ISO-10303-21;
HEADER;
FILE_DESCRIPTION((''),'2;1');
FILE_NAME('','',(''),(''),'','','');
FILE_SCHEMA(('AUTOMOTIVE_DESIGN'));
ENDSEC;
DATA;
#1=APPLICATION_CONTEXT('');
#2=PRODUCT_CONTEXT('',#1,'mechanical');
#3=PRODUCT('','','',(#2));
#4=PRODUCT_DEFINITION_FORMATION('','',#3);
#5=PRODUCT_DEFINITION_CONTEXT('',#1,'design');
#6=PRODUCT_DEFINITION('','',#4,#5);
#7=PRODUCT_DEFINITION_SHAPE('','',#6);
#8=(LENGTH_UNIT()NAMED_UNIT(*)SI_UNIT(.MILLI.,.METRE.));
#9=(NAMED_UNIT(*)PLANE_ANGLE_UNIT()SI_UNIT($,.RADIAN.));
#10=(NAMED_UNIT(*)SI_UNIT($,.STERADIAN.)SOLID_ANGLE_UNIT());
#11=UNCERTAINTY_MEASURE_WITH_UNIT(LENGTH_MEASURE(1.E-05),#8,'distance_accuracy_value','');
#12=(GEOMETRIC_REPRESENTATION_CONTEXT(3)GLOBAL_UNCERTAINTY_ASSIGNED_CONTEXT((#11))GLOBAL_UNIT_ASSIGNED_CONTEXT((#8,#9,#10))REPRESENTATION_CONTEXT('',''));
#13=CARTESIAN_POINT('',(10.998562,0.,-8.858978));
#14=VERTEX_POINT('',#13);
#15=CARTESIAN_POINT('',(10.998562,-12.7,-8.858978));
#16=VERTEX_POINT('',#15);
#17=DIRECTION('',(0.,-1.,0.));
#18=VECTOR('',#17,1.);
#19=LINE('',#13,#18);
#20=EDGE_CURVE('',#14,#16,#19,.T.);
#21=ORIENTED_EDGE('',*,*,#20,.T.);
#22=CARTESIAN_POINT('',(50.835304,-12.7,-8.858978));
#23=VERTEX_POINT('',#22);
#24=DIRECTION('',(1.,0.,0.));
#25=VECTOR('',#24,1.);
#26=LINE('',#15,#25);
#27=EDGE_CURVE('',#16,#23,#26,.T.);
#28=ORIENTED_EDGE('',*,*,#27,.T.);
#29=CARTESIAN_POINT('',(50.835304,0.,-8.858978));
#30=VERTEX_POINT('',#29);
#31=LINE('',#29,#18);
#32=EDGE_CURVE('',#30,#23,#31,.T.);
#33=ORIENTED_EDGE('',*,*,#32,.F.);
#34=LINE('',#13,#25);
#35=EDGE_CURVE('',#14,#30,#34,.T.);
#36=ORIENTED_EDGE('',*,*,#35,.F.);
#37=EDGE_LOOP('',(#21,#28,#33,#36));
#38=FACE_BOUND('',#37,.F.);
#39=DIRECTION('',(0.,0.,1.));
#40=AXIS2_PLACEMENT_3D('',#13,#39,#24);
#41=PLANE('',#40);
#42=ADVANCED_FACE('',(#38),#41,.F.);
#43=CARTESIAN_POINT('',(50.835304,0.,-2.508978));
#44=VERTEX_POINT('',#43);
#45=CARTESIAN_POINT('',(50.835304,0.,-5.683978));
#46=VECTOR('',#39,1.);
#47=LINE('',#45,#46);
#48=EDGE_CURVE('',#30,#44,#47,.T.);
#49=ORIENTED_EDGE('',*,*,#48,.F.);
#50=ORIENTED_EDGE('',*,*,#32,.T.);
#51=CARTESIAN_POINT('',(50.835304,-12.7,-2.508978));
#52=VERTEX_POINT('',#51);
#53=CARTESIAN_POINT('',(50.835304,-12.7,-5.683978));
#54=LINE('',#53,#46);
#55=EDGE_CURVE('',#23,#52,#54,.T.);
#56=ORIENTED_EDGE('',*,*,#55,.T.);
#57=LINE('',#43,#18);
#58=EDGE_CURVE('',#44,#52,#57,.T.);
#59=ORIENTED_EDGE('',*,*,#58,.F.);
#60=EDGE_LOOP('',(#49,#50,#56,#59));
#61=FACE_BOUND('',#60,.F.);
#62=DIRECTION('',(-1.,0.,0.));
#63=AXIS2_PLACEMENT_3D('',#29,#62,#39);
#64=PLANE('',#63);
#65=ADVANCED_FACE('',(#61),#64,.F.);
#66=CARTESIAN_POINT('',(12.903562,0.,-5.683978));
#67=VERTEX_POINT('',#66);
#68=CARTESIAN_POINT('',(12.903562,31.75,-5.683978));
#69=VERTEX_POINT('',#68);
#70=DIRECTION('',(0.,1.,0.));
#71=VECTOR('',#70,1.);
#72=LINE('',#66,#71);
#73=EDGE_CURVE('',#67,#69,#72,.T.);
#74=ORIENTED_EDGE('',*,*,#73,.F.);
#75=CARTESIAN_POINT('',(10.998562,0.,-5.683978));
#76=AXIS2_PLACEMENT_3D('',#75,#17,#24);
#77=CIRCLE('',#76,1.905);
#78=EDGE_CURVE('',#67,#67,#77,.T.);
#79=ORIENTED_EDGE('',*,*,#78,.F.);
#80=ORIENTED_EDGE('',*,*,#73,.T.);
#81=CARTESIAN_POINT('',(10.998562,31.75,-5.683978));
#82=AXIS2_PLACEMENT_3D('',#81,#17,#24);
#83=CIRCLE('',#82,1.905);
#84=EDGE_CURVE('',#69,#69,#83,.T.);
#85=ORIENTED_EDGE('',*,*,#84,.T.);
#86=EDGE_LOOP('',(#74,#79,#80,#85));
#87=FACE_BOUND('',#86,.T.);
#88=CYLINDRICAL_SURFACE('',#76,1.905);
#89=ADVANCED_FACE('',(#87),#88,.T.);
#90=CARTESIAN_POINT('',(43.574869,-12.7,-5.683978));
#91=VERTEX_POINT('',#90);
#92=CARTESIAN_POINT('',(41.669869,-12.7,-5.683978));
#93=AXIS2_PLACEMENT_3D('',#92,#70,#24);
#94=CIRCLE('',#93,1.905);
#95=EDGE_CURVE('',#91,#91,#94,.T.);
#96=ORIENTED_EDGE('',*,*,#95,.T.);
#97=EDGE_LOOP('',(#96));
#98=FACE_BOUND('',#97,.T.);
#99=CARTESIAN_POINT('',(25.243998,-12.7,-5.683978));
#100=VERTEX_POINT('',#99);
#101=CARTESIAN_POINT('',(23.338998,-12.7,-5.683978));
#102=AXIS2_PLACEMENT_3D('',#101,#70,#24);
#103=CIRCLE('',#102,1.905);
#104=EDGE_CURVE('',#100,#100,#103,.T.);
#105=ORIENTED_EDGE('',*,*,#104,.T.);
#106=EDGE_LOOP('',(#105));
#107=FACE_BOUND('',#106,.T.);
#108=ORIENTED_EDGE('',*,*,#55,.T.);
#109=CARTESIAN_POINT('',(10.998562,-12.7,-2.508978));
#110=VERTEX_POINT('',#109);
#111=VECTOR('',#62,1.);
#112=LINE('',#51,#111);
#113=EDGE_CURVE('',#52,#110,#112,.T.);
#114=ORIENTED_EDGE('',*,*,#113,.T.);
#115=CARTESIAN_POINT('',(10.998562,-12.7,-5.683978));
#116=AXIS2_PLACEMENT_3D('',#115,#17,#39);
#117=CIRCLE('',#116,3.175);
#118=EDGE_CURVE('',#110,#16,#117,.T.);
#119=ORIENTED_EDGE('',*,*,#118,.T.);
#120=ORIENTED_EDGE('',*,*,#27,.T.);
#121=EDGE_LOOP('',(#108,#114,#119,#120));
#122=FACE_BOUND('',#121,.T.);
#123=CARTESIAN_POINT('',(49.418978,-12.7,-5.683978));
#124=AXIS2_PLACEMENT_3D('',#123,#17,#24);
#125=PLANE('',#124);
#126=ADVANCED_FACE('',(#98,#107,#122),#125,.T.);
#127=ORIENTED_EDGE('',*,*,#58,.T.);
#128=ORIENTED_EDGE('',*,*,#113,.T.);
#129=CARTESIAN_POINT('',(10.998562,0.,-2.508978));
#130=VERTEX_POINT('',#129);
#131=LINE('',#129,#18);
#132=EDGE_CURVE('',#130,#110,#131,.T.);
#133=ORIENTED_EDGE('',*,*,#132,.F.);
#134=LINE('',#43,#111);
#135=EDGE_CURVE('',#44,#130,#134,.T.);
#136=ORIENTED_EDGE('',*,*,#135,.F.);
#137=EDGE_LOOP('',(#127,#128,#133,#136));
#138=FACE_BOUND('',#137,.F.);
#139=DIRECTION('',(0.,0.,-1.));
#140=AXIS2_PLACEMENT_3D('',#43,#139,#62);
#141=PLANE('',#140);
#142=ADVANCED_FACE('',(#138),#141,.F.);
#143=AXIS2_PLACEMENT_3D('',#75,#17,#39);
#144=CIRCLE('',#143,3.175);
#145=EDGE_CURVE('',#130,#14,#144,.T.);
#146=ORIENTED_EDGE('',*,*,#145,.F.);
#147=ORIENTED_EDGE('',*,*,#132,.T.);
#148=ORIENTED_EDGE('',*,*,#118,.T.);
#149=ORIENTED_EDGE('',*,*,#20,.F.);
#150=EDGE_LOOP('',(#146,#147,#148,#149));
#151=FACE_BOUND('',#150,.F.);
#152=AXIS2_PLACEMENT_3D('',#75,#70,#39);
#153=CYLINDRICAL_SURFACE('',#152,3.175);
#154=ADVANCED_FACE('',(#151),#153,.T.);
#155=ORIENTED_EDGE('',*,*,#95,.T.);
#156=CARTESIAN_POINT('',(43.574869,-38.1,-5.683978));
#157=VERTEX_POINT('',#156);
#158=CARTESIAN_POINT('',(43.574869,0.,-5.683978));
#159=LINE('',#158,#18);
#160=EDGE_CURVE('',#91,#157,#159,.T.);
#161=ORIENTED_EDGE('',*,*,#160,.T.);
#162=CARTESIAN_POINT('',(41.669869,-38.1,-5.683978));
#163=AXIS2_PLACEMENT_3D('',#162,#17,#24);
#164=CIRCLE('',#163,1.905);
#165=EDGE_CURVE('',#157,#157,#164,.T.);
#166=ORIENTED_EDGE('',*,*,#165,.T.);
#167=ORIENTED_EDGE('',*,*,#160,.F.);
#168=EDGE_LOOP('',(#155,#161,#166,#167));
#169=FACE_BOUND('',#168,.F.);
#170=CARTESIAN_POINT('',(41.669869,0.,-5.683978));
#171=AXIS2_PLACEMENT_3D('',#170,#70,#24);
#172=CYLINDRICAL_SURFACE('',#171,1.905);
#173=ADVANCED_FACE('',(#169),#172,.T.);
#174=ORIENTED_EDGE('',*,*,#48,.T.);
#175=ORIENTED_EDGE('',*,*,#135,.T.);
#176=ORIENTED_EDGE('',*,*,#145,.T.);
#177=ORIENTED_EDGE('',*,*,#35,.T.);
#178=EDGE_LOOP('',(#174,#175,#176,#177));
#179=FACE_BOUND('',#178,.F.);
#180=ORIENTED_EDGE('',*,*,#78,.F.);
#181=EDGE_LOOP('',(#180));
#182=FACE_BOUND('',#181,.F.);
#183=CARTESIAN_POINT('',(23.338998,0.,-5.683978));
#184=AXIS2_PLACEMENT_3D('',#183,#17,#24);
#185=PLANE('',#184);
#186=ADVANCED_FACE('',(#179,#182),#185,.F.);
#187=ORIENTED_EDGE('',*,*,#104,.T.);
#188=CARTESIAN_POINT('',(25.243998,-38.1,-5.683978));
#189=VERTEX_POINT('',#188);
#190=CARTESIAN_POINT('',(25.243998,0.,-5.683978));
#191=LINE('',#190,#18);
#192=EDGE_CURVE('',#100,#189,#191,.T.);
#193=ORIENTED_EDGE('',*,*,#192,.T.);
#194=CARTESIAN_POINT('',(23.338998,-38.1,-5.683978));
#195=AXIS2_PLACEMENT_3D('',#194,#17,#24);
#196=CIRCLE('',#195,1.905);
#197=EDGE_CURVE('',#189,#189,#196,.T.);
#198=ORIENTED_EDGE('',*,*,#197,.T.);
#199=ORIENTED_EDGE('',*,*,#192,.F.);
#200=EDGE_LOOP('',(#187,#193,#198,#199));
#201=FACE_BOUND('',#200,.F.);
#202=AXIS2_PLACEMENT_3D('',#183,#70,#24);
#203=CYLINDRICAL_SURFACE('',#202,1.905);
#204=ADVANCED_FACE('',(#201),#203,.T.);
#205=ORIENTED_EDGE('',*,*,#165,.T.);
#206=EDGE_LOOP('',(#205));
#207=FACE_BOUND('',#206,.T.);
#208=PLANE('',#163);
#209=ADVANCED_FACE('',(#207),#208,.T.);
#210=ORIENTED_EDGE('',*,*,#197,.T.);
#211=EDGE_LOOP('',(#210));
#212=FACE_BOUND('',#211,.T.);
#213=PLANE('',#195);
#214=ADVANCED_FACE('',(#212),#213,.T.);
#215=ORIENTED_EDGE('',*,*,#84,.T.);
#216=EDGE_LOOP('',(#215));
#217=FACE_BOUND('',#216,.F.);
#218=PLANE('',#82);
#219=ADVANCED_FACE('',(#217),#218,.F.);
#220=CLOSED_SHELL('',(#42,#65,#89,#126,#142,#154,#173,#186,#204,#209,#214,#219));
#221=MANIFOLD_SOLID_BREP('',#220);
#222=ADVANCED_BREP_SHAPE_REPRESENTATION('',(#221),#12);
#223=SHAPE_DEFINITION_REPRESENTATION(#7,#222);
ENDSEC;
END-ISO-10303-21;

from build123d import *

# Parameters (mm, degrees)
F0_W     = 2.832651
F0_H     = 6.35
F0_R     = 1.905
F1_DEPTH = 12.7
F2_DEPTH = 38.1
F3_DEPTH = 31.75


with BuildPart() as f1:
    # F0 (on Front) → F1 (new body)
    with BuildSketch(Plane.XZ):
        with Locations((49.418978, -5.683978)):
            Rectangle(F0_W, F0_H)
        Polygon((14.173562, -8.858978), (48.002653, -8.858978), (48.002653, -2.508978), (14.173562, -2.508978), (14.173562, -5.683978), align=None)
        with Locations((41.669869, -5.683978)):
            Circle(F0_R, mode=Mode.SUBTRACT)
        with Locations((23.338998, -5.683978)):
            Circle(F0_R, mode=Mode.SUBTRACT)
        with BuildLine():
            Line((10.998562, -8.858978), (14.173562, -8.858978))
            Line((14.173562, -8.858978), (14.173562, -5.683978))
            ThreePointArc((14.173562, -5.683978), (13.243626, -7.929042), (10.998562, -8.858978))
        make_face()
        with BuildLine():
            Line((14.173562, -5.683978), (14.173562, -2.508978))
            Line((14.173562, -2.508978), (10.998562, -2.508978))
            ThreePointArc((10.998562, -2.508978), (13.243626, -3.438914), (14.173562, -5.683978))
        make_face()
        with BuildLine():
            ThreePointArc((10.998562, -8.858978), (13.243626, -7.929042), (14.173562, -5.683978))
            ThreePointArc((14.173562, -5.683978), (13.243626, -3.438914), (10.998562, -2.508978))
            ThreePointArc((10.998562, -2.508978), (7.823562, -5.683978), (10.998562, -8.858978))
        make_face()
        with Locations((10.998562, -5.683978)):
            Circle(F0_R, mode=Mode.SUBTRACT)
        with Locations((23.338998, -5.683978)):
            Circle(F0_R)
        with Locations((41.669869, -5.683978)):
            Circle(F0_R)
        with Locations((10.998562, -5.683978)):
            Circle(F0_R)
    extrude(amount=F1_DEPTH)

    # F0 (on Front) → F2 (join)
    with BuildSketch(Plane.XZ):
        with Locations((23.338998, -5.683978)):
            Circle(F0_R)
        with Locations((41.669869, -5.683978)):
            Circle(F0_R)
    extrude(amount=F2_DEPTH)

    # F0 (on Front) → F3 (join)
    with BuildSketch(Plane.XZ):
        with Locations((10.998562, -5.683978)):
            Circle(F0_R)
    extrude(amount=-F3_DEPTH)


solid = f1.part
